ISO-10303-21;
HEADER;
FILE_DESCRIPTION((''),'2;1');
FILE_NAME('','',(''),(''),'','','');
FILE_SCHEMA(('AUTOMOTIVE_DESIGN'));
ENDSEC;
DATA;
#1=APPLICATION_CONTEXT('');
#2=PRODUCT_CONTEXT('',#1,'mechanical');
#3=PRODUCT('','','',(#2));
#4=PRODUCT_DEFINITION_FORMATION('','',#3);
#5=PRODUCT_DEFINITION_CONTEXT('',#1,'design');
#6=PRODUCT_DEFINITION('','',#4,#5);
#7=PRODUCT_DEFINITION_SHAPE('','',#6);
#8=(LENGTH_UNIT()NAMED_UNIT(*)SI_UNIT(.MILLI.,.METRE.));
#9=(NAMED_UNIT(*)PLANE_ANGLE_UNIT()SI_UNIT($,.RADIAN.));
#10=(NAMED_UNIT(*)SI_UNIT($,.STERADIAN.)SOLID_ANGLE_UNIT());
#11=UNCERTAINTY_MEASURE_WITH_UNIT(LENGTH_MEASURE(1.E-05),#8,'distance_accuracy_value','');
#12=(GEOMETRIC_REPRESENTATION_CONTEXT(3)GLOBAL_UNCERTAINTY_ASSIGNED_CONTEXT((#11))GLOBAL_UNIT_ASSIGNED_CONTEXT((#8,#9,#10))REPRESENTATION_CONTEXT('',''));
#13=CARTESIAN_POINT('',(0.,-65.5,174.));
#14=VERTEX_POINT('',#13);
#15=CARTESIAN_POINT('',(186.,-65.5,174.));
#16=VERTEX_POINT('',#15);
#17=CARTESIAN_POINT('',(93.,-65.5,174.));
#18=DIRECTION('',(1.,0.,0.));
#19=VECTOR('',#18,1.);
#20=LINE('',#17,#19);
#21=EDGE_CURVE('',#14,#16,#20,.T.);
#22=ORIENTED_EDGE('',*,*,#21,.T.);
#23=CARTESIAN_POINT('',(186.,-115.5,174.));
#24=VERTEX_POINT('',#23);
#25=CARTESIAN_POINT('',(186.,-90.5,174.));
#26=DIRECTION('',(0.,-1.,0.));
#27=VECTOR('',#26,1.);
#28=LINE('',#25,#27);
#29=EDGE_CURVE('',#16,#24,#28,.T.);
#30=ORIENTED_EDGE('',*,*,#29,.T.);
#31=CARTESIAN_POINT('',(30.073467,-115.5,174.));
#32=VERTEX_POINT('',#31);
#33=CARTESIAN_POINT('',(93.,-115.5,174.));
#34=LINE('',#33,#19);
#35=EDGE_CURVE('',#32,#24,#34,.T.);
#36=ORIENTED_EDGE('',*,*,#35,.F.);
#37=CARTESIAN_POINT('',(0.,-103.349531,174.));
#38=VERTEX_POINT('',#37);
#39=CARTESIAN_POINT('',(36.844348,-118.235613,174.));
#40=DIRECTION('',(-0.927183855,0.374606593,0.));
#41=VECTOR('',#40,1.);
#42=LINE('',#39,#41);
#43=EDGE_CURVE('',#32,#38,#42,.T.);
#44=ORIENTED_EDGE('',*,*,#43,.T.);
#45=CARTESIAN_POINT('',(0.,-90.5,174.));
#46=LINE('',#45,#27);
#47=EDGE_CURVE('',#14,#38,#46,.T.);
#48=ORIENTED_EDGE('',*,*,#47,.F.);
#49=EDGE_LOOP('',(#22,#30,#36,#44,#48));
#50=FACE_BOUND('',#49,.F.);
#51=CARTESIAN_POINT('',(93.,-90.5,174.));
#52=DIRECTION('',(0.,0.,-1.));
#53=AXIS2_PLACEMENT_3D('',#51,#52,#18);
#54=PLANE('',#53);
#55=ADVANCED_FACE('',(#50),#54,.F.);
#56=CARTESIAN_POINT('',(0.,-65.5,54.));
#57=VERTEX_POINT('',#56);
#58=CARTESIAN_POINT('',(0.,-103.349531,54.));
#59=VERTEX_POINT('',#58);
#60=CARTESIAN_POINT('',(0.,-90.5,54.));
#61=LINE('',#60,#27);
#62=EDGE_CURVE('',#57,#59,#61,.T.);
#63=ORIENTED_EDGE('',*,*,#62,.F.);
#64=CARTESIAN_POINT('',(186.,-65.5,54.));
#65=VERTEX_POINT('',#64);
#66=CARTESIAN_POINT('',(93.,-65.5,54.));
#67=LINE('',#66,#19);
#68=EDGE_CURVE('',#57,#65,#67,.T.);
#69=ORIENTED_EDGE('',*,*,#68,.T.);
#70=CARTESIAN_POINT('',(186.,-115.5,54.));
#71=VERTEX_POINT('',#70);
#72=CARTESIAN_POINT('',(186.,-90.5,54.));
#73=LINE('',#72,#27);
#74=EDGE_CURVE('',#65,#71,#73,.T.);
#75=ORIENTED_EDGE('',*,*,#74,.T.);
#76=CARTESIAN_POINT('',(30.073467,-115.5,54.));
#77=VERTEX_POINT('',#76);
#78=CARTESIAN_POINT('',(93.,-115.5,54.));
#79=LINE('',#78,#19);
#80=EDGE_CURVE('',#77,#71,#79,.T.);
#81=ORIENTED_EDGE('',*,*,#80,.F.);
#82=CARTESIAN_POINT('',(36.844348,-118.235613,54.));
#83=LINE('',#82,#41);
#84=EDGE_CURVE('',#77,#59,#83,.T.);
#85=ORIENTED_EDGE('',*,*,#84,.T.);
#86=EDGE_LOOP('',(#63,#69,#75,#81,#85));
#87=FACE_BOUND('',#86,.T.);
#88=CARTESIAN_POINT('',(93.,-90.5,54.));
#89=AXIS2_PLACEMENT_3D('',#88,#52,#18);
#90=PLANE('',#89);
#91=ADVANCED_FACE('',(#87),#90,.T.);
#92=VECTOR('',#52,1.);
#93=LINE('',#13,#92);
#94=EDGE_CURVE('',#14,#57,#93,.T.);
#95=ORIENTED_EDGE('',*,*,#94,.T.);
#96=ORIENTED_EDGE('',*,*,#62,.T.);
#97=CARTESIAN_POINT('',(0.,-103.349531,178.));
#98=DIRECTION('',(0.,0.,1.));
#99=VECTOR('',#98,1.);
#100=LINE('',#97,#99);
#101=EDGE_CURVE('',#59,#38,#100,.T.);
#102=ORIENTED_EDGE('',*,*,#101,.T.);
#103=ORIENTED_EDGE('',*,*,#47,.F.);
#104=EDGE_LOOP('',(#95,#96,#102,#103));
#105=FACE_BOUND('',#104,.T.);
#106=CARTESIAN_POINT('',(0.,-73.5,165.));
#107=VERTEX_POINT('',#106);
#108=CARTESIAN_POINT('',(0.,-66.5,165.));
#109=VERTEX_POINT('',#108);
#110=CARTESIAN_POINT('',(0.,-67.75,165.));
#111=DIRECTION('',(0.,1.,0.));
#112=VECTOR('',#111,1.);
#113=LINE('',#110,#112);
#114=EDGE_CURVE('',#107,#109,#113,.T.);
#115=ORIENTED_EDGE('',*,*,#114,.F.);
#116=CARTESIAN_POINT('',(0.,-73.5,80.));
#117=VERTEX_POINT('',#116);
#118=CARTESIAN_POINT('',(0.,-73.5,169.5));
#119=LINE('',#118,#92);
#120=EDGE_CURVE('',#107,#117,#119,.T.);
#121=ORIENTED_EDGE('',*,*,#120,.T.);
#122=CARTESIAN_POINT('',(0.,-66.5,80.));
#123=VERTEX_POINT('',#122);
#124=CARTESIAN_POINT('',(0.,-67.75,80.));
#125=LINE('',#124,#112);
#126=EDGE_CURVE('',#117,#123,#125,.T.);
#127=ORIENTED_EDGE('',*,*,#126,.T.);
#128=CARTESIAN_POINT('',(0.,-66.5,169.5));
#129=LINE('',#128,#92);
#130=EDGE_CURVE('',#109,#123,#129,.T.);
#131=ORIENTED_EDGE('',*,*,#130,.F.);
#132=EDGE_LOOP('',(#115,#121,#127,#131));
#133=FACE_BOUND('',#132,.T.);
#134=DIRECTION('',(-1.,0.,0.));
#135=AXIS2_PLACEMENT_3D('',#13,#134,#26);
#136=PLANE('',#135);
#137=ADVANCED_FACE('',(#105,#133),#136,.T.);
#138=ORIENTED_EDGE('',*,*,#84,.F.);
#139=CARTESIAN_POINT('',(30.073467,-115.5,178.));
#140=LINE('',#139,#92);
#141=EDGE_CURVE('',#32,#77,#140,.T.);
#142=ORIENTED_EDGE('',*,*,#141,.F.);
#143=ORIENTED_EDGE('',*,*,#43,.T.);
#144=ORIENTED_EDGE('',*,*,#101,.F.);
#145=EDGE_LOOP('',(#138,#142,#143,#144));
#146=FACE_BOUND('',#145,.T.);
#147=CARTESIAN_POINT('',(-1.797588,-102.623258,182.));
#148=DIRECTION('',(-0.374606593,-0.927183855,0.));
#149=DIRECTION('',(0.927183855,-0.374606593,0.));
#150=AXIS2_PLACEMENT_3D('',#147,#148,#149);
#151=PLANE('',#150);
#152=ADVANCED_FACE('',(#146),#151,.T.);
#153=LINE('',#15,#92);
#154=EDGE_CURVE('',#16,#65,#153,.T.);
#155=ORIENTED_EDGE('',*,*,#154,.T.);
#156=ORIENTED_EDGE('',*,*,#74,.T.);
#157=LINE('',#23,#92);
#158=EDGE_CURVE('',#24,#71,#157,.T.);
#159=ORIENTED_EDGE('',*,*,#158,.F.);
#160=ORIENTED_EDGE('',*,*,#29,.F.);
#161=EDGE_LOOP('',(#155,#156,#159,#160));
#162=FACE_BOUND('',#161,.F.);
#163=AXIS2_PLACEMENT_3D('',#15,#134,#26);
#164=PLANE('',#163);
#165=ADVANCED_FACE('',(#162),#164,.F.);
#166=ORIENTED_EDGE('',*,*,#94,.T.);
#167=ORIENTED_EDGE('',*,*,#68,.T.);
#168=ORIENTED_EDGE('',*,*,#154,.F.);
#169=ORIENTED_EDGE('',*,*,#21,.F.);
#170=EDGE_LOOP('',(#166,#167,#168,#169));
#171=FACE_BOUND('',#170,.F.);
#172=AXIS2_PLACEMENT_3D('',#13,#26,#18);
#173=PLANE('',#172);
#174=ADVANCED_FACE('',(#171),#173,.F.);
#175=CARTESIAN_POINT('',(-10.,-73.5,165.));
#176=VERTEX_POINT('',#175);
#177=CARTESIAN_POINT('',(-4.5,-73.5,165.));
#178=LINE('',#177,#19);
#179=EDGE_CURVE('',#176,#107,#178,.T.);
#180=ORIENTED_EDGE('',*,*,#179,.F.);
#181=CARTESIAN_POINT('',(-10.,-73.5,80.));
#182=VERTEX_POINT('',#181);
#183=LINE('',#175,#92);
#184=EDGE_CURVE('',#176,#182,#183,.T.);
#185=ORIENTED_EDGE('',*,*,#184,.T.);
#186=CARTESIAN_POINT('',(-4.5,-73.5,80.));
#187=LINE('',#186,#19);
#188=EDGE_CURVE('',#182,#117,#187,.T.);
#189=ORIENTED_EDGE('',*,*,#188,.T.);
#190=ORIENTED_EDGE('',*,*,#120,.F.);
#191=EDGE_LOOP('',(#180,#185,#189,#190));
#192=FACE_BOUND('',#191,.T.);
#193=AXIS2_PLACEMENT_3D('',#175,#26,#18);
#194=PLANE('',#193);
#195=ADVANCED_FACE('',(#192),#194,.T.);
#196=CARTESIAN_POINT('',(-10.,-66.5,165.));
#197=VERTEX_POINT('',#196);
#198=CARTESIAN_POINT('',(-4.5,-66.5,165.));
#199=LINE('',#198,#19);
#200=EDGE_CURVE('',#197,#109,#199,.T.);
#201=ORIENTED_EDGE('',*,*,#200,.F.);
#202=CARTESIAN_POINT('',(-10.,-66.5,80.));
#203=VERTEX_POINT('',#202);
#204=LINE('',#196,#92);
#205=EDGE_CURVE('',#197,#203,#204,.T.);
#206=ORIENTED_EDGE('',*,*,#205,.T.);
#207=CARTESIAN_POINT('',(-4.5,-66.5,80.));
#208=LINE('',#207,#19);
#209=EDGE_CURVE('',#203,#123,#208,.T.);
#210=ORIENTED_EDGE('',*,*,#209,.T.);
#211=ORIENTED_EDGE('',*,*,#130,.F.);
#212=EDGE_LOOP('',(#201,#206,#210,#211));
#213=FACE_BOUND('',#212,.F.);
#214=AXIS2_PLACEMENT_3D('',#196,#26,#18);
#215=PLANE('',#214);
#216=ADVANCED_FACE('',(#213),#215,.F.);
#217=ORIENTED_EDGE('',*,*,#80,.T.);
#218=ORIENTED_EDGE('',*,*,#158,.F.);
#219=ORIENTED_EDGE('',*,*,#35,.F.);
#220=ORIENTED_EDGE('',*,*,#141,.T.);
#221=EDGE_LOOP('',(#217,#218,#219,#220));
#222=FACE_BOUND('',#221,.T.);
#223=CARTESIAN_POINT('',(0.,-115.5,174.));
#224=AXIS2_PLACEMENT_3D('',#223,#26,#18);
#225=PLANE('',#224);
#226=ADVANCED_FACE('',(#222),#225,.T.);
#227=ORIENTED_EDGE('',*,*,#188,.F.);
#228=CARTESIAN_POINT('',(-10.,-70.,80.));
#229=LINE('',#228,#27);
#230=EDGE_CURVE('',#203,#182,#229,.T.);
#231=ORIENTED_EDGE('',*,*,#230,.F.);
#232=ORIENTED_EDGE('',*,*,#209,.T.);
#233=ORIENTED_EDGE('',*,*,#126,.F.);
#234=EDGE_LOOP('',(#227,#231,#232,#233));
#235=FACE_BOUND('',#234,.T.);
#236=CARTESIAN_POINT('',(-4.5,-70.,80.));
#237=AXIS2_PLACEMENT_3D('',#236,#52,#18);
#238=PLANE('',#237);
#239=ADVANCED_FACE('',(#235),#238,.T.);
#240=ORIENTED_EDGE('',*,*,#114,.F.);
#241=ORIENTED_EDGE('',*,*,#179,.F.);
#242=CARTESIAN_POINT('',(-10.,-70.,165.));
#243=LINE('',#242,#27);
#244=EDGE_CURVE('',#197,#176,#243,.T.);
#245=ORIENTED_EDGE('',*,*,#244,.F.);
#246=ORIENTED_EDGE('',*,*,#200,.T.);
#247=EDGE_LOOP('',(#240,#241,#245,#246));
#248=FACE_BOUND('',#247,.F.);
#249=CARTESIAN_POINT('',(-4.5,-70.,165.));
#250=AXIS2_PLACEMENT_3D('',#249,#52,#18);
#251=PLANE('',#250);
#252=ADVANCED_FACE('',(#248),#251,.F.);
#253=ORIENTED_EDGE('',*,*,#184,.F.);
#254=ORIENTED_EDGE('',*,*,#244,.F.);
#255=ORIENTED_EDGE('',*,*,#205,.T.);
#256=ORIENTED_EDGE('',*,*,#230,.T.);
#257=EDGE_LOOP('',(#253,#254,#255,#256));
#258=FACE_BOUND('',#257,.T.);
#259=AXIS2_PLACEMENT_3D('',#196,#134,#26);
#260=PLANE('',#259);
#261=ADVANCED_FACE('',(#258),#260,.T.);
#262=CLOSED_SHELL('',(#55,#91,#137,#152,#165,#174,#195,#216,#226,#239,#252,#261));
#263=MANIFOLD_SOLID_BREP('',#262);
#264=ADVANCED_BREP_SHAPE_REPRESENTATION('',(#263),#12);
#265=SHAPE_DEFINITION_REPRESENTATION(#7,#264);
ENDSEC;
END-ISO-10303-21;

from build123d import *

# Parameters (mm, degrees)
BOX041_W                  = 41
BOX041_H                  = 12
BOX041_DEPTH              = 200
BOX041_PLACEMENT_ANGLE    = 22
BOX_W                     = 186
BOX_H                     = 50
BOX_DEPTH                 = 120
BOX039_W                  = 11
BOX039_H                  = 7
BOX039_DEPTH              = 85
FUSION012_PLACEMENT_ANGLE = 180


with BuildPart() as cube036:
    # Box041 → Box041 (new body)
    with BuildSketch(Plane.XY):
        with Locations((20.5, 6)):
            Rectangle(BOX041_W, BOX041_H)
    extrude(amount=BOX041_DEPTH)


with BuildPart() as cube036_1:
    # Box041 placement: moved
    add(cube036.part.moved(Location((-1.797588, 37.123258, -8))).rotate(Axis((-1.797588, 37.123258, -8), (0, 0, 1)), BOX041_PLACEMENT_ANGLE))


with BuildPart() as cut012:
    # Box → Box (new body)
    with BuildSketch(Plane.XY):
        with Locations((93, 25)):
            Rectangle(BOX_W, BOX_H)
    extrude(amount=BOX_DEPTH)

    # Cut012: cut Cube036
    add(cube036_1.part, mode=Mode.SUBTRACT)


with BuildPart() as lomograflok:
    # Box039 → Box039 (new body)
    with BuildSketch(Plane(origin=(-10, 1, 9), x_dir=(1, 0, 0), z_dir=(0, 0, 1))):
        with Locations((5.5, 3.5)):
            Rectangle(BOX039_W, BOX039_H)
    extrude(amount=BOX039_DEPTH)

    # Fusion012: union Cut012
    add(cut012.part)


with BuildPart() as lomograflok_1:
    # Fusion012 placement: moved
    add(lomograflok.part.moved(Location((0, -65.5, 174))).rotate(Axis((0, -65.5, 174), (1, 0, 0)), FUSION012_PLACEMENT_ANGLE))


solid = lomograflok_1.part
